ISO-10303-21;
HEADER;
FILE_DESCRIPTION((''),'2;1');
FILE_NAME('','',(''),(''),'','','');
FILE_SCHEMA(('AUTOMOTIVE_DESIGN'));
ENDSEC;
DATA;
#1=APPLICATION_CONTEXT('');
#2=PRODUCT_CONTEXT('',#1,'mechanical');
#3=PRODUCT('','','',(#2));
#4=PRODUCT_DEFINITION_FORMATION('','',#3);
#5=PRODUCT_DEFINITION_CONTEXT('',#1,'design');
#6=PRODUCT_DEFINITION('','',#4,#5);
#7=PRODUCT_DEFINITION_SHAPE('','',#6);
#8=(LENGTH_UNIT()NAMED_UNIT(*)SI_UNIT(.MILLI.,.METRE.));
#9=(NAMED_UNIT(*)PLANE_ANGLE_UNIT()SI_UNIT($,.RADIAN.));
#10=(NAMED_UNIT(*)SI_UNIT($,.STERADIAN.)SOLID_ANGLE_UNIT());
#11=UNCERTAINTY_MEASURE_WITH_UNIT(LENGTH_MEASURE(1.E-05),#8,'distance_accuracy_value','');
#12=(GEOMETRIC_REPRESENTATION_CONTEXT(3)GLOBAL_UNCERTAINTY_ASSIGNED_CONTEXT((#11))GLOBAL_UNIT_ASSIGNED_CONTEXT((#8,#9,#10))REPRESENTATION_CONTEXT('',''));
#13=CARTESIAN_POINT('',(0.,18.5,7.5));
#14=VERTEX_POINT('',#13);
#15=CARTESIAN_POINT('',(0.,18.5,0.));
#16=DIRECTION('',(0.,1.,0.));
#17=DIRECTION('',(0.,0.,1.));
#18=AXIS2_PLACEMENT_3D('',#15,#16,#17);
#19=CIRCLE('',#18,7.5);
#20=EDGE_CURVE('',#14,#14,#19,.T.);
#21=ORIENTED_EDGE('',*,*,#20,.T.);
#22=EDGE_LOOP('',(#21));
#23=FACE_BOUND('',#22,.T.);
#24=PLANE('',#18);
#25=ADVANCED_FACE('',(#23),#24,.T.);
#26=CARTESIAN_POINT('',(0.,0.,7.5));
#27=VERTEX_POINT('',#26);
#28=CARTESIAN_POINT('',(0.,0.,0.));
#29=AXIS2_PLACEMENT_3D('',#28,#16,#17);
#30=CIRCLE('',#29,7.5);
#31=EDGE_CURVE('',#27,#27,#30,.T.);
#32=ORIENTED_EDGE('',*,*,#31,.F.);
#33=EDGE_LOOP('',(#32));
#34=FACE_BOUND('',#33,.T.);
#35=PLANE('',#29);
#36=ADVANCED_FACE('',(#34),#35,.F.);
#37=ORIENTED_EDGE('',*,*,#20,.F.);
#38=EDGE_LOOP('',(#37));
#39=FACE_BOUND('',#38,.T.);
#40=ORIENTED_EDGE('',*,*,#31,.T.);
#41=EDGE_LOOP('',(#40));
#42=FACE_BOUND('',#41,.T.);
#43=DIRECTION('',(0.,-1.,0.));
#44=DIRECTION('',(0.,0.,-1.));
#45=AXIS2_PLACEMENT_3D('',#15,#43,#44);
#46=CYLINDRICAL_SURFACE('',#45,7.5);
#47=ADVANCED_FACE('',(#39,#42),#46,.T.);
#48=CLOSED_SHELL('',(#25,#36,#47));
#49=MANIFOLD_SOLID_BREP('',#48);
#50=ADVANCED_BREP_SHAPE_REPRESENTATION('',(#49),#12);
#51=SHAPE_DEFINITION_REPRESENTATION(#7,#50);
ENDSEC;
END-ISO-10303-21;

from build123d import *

# Parameters (mm, degrees)
IZIM1_R                     = 7.5
Y_KSEKLIK_EKSTR_ZYON1_DEPTH = 18.5


with BuildPart() as part:
    # Çizim1 → Yükseklik-Ekstrüzyon1 (new body)
    with BuildSketch(Plane(origin=(0, 0, 0), x_dir=(1, 0, 0), z_dir=(0, 1, 0))):
        with Locations(Location((0, 0, 0), (0, 0, 270))):
            Circle(IZIM1_R)
    extrude(amount=Y_KSEKLIK_EKSTR_ZYON1_DEPTH)


solid = part.part
